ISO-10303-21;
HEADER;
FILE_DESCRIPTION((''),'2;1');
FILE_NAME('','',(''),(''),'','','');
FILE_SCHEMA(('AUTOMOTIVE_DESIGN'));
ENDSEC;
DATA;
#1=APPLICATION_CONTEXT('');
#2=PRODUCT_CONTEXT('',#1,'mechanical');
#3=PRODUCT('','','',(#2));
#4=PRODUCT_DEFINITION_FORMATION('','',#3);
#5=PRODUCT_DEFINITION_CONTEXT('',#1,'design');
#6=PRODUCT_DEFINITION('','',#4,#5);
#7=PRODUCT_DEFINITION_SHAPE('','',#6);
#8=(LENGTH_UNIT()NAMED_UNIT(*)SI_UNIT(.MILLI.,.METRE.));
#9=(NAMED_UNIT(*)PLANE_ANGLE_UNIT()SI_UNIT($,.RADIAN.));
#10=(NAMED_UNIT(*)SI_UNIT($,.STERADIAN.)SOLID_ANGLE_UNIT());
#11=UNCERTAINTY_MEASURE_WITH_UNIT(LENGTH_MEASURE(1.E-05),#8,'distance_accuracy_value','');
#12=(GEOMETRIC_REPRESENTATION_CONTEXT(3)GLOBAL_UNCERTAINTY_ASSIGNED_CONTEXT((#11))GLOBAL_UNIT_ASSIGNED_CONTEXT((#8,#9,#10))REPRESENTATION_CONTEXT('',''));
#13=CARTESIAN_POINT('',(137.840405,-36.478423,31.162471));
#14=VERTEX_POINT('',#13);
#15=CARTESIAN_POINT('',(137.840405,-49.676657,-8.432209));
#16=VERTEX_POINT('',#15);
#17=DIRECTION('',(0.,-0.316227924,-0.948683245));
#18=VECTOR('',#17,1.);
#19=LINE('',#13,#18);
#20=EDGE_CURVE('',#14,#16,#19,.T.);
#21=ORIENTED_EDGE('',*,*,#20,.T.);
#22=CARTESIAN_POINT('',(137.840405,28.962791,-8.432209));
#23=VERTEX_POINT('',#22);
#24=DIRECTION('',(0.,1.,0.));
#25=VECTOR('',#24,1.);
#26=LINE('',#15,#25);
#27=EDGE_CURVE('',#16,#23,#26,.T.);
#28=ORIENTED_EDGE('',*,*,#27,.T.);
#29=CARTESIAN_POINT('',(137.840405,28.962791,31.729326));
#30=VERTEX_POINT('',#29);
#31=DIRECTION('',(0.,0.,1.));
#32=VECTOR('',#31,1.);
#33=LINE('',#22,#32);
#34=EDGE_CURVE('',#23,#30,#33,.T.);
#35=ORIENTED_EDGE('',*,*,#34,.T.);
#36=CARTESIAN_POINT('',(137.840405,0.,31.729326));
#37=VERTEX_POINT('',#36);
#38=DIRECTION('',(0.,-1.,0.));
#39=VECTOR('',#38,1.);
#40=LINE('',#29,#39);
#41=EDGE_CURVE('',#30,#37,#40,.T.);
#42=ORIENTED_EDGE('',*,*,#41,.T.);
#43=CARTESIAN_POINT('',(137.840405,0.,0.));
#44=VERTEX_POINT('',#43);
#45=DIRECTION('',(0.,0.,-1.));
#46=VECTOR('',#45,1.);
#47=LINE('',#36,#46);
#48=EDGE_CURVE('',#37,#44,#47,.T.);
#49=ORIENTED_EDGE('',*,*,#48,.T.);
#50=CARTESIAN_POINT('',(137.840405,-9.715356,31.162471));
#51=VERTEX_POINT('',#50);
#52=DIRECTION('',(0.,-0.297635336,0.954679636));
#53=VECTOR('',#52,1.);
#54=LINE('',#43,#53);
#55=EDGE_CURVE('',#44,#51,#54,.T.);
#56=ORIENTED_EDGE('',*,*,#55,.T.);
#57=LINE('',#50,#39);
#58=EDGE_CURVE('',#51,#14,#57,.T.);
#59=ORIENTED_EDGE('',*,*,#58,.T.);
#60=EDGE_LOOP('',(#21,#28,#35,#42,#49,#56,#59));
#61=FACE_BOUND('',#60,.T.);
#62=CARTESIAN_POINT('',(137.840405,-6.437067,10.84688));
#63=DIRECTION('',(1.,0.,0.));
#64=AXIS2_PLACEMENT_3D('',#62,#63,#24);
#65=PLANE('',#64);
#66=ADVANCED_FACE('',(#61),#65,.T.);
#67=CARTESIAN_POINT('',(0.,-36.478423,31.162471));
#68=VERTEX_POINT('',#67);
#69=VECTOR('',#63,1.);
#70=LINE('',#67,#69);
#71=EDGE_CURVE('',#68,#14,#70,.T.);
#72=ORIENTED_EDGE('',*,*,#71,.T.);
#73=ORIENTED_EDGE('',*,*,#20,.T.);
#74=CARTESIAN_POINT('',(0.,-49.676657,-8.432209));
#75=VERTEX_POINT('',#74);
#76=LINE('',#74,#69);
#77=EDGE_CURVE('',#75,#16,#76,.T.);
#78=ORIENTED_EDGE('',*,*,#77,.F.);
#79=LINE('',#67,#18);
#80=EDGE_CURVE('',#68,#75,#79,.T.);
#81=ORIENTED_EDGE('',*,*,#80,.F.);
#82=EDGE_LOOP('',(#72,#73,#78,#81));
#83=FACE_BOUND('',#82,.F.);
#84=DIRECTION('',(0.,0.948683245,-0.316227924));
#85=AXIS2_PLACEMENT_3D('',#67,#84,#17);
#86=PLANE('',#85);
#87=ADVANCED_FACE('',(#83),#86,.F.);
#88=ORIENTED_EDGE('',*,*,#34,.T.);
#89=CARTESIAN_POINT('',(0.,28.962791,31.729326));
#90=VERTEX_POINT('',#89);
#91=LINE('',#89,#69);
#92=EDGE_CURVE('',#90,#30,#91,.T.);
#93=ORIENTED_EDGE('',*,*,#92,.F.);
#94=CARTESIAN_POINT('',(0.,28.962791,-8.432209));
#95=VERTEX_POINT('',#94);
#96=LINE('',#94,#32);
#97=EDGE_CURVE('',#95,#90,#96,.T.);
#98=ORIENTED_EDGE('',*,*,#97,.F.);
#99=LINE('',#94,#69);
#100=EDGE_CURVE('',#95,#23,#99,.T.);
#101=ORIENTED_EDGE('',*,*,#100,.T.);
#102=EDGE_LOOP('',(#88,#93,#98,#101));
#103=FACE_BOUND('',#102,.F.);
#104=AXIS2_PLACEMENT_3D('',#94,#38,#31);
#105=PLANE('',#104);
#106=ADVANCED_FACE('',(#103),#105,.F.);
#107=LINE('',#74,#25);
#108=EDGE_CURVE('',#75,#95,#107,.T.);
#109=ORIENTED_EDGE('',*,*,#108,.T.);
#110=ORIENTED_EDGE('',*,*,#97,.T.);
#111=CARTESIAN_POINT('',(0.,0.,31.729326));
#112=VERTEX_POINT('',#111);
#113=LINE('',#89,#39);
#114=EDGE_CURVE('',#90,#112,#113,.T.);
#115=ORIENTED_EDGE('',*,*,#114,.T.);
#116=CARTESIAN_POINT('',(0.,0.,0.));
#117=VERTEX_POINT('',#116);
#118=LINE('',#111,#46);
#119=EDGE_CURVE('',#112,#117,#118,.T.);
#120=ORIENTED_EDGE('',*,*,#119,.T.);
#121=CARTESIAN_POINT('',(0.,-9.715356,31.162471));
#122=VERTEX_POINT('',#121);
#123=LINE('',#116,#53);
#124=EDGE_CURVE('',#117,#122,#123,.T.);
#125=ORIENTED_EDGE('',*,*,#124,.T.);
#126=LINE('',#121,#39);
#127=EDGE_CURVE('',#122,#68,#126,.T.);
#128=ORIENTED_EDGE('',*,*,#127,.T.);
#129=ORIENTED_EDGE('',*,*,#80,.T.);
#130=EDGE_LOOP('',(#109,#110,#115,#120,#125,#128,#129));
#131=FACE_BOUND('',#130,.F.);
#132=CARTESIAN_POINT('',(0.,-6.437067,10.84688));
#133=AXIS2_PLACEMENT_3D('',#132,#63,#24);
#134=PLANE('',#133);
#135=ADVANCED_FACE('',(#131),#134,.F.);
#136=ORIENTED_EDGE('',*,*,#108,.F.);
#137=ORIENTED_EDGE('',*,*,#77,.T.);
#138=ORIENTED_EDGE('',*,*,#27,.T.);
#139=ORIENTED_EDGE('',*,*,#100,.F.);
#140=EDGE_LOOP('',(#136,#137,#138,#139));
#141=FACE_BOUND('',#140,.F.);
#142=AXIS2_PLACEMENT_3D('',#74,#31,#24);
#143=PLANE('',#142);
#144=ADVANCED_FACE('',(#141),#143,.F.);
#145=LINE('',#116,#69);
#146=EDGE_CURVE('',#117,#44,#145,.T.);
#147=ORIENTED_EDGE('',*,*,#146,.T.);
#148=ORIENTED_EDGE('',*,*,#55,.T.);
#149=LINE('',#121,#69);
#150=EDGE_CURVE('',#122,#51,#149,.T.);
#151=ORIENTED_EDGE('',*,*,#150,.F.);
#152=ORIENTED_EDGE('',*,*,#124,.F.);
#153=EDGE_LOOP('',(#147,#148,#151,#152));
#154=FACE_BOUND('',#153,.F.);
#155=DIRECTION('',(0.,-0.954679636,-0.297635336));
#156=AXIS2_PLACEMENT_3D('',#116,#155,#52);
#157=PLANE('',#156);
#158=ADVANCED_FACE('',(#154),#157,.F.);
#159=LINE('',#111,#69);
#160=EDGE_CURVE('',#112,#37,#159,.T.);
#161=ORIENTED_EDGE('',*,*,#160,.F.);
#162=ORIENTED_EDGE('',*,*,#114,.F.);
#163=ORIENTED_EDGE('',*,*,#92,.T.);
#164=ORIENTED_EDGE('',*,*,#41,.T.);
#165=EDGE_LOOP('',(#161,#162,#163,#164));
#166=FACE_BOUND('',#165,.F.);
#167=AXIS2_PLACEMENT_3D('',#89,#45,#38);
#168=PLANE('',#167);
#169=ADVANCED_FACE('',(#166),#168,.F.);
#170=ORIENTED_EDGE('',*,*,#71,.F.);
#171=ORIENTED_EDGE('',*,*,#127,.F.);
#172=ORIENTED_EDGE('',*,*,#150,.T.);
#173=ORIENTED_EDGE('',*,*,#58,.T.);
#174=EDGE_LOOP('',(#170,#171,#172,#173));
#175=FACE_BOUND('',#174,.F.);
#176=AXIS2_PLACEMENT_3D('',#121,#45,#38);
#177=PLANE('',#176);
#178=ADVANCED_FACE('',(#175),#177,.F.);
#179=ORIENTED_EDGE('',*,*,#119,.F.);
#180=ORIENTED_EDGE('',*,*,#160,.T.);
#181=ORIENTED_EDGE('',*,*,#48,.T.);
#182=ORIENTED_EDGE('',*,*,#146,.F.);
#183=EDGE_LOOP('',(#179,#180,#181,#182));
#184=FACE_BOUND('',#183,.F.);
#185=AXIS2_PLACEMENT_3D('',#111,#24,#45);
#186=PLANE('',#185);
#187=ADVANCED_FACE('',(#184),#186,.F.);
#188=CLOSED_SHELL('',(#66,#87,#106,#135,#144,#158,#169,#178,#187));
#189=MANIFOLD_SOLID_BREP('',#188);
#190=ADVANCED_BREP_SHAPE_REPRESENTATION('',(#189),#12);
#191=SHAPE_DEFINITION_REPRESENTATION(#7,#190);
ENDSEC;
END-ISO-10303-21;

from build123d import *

# Parameters (mm, degrees)
F2_DEPTH = 137.840405


with BuildPart() as f2:
    # F1 (on face) → F2 (new body)
    with BuildSketch(Plane.YZ):
        Polygon((28.962791, 31.729326), (0, 31.729326), (0, 0), (-9.715356, 31.162471), (-36.478423, 31.162471), (-49.676657, -8.432209), (28.962791, -8.432209), align=None)
    extrude(amount=F2_DEPTH)


solid = f2.part
